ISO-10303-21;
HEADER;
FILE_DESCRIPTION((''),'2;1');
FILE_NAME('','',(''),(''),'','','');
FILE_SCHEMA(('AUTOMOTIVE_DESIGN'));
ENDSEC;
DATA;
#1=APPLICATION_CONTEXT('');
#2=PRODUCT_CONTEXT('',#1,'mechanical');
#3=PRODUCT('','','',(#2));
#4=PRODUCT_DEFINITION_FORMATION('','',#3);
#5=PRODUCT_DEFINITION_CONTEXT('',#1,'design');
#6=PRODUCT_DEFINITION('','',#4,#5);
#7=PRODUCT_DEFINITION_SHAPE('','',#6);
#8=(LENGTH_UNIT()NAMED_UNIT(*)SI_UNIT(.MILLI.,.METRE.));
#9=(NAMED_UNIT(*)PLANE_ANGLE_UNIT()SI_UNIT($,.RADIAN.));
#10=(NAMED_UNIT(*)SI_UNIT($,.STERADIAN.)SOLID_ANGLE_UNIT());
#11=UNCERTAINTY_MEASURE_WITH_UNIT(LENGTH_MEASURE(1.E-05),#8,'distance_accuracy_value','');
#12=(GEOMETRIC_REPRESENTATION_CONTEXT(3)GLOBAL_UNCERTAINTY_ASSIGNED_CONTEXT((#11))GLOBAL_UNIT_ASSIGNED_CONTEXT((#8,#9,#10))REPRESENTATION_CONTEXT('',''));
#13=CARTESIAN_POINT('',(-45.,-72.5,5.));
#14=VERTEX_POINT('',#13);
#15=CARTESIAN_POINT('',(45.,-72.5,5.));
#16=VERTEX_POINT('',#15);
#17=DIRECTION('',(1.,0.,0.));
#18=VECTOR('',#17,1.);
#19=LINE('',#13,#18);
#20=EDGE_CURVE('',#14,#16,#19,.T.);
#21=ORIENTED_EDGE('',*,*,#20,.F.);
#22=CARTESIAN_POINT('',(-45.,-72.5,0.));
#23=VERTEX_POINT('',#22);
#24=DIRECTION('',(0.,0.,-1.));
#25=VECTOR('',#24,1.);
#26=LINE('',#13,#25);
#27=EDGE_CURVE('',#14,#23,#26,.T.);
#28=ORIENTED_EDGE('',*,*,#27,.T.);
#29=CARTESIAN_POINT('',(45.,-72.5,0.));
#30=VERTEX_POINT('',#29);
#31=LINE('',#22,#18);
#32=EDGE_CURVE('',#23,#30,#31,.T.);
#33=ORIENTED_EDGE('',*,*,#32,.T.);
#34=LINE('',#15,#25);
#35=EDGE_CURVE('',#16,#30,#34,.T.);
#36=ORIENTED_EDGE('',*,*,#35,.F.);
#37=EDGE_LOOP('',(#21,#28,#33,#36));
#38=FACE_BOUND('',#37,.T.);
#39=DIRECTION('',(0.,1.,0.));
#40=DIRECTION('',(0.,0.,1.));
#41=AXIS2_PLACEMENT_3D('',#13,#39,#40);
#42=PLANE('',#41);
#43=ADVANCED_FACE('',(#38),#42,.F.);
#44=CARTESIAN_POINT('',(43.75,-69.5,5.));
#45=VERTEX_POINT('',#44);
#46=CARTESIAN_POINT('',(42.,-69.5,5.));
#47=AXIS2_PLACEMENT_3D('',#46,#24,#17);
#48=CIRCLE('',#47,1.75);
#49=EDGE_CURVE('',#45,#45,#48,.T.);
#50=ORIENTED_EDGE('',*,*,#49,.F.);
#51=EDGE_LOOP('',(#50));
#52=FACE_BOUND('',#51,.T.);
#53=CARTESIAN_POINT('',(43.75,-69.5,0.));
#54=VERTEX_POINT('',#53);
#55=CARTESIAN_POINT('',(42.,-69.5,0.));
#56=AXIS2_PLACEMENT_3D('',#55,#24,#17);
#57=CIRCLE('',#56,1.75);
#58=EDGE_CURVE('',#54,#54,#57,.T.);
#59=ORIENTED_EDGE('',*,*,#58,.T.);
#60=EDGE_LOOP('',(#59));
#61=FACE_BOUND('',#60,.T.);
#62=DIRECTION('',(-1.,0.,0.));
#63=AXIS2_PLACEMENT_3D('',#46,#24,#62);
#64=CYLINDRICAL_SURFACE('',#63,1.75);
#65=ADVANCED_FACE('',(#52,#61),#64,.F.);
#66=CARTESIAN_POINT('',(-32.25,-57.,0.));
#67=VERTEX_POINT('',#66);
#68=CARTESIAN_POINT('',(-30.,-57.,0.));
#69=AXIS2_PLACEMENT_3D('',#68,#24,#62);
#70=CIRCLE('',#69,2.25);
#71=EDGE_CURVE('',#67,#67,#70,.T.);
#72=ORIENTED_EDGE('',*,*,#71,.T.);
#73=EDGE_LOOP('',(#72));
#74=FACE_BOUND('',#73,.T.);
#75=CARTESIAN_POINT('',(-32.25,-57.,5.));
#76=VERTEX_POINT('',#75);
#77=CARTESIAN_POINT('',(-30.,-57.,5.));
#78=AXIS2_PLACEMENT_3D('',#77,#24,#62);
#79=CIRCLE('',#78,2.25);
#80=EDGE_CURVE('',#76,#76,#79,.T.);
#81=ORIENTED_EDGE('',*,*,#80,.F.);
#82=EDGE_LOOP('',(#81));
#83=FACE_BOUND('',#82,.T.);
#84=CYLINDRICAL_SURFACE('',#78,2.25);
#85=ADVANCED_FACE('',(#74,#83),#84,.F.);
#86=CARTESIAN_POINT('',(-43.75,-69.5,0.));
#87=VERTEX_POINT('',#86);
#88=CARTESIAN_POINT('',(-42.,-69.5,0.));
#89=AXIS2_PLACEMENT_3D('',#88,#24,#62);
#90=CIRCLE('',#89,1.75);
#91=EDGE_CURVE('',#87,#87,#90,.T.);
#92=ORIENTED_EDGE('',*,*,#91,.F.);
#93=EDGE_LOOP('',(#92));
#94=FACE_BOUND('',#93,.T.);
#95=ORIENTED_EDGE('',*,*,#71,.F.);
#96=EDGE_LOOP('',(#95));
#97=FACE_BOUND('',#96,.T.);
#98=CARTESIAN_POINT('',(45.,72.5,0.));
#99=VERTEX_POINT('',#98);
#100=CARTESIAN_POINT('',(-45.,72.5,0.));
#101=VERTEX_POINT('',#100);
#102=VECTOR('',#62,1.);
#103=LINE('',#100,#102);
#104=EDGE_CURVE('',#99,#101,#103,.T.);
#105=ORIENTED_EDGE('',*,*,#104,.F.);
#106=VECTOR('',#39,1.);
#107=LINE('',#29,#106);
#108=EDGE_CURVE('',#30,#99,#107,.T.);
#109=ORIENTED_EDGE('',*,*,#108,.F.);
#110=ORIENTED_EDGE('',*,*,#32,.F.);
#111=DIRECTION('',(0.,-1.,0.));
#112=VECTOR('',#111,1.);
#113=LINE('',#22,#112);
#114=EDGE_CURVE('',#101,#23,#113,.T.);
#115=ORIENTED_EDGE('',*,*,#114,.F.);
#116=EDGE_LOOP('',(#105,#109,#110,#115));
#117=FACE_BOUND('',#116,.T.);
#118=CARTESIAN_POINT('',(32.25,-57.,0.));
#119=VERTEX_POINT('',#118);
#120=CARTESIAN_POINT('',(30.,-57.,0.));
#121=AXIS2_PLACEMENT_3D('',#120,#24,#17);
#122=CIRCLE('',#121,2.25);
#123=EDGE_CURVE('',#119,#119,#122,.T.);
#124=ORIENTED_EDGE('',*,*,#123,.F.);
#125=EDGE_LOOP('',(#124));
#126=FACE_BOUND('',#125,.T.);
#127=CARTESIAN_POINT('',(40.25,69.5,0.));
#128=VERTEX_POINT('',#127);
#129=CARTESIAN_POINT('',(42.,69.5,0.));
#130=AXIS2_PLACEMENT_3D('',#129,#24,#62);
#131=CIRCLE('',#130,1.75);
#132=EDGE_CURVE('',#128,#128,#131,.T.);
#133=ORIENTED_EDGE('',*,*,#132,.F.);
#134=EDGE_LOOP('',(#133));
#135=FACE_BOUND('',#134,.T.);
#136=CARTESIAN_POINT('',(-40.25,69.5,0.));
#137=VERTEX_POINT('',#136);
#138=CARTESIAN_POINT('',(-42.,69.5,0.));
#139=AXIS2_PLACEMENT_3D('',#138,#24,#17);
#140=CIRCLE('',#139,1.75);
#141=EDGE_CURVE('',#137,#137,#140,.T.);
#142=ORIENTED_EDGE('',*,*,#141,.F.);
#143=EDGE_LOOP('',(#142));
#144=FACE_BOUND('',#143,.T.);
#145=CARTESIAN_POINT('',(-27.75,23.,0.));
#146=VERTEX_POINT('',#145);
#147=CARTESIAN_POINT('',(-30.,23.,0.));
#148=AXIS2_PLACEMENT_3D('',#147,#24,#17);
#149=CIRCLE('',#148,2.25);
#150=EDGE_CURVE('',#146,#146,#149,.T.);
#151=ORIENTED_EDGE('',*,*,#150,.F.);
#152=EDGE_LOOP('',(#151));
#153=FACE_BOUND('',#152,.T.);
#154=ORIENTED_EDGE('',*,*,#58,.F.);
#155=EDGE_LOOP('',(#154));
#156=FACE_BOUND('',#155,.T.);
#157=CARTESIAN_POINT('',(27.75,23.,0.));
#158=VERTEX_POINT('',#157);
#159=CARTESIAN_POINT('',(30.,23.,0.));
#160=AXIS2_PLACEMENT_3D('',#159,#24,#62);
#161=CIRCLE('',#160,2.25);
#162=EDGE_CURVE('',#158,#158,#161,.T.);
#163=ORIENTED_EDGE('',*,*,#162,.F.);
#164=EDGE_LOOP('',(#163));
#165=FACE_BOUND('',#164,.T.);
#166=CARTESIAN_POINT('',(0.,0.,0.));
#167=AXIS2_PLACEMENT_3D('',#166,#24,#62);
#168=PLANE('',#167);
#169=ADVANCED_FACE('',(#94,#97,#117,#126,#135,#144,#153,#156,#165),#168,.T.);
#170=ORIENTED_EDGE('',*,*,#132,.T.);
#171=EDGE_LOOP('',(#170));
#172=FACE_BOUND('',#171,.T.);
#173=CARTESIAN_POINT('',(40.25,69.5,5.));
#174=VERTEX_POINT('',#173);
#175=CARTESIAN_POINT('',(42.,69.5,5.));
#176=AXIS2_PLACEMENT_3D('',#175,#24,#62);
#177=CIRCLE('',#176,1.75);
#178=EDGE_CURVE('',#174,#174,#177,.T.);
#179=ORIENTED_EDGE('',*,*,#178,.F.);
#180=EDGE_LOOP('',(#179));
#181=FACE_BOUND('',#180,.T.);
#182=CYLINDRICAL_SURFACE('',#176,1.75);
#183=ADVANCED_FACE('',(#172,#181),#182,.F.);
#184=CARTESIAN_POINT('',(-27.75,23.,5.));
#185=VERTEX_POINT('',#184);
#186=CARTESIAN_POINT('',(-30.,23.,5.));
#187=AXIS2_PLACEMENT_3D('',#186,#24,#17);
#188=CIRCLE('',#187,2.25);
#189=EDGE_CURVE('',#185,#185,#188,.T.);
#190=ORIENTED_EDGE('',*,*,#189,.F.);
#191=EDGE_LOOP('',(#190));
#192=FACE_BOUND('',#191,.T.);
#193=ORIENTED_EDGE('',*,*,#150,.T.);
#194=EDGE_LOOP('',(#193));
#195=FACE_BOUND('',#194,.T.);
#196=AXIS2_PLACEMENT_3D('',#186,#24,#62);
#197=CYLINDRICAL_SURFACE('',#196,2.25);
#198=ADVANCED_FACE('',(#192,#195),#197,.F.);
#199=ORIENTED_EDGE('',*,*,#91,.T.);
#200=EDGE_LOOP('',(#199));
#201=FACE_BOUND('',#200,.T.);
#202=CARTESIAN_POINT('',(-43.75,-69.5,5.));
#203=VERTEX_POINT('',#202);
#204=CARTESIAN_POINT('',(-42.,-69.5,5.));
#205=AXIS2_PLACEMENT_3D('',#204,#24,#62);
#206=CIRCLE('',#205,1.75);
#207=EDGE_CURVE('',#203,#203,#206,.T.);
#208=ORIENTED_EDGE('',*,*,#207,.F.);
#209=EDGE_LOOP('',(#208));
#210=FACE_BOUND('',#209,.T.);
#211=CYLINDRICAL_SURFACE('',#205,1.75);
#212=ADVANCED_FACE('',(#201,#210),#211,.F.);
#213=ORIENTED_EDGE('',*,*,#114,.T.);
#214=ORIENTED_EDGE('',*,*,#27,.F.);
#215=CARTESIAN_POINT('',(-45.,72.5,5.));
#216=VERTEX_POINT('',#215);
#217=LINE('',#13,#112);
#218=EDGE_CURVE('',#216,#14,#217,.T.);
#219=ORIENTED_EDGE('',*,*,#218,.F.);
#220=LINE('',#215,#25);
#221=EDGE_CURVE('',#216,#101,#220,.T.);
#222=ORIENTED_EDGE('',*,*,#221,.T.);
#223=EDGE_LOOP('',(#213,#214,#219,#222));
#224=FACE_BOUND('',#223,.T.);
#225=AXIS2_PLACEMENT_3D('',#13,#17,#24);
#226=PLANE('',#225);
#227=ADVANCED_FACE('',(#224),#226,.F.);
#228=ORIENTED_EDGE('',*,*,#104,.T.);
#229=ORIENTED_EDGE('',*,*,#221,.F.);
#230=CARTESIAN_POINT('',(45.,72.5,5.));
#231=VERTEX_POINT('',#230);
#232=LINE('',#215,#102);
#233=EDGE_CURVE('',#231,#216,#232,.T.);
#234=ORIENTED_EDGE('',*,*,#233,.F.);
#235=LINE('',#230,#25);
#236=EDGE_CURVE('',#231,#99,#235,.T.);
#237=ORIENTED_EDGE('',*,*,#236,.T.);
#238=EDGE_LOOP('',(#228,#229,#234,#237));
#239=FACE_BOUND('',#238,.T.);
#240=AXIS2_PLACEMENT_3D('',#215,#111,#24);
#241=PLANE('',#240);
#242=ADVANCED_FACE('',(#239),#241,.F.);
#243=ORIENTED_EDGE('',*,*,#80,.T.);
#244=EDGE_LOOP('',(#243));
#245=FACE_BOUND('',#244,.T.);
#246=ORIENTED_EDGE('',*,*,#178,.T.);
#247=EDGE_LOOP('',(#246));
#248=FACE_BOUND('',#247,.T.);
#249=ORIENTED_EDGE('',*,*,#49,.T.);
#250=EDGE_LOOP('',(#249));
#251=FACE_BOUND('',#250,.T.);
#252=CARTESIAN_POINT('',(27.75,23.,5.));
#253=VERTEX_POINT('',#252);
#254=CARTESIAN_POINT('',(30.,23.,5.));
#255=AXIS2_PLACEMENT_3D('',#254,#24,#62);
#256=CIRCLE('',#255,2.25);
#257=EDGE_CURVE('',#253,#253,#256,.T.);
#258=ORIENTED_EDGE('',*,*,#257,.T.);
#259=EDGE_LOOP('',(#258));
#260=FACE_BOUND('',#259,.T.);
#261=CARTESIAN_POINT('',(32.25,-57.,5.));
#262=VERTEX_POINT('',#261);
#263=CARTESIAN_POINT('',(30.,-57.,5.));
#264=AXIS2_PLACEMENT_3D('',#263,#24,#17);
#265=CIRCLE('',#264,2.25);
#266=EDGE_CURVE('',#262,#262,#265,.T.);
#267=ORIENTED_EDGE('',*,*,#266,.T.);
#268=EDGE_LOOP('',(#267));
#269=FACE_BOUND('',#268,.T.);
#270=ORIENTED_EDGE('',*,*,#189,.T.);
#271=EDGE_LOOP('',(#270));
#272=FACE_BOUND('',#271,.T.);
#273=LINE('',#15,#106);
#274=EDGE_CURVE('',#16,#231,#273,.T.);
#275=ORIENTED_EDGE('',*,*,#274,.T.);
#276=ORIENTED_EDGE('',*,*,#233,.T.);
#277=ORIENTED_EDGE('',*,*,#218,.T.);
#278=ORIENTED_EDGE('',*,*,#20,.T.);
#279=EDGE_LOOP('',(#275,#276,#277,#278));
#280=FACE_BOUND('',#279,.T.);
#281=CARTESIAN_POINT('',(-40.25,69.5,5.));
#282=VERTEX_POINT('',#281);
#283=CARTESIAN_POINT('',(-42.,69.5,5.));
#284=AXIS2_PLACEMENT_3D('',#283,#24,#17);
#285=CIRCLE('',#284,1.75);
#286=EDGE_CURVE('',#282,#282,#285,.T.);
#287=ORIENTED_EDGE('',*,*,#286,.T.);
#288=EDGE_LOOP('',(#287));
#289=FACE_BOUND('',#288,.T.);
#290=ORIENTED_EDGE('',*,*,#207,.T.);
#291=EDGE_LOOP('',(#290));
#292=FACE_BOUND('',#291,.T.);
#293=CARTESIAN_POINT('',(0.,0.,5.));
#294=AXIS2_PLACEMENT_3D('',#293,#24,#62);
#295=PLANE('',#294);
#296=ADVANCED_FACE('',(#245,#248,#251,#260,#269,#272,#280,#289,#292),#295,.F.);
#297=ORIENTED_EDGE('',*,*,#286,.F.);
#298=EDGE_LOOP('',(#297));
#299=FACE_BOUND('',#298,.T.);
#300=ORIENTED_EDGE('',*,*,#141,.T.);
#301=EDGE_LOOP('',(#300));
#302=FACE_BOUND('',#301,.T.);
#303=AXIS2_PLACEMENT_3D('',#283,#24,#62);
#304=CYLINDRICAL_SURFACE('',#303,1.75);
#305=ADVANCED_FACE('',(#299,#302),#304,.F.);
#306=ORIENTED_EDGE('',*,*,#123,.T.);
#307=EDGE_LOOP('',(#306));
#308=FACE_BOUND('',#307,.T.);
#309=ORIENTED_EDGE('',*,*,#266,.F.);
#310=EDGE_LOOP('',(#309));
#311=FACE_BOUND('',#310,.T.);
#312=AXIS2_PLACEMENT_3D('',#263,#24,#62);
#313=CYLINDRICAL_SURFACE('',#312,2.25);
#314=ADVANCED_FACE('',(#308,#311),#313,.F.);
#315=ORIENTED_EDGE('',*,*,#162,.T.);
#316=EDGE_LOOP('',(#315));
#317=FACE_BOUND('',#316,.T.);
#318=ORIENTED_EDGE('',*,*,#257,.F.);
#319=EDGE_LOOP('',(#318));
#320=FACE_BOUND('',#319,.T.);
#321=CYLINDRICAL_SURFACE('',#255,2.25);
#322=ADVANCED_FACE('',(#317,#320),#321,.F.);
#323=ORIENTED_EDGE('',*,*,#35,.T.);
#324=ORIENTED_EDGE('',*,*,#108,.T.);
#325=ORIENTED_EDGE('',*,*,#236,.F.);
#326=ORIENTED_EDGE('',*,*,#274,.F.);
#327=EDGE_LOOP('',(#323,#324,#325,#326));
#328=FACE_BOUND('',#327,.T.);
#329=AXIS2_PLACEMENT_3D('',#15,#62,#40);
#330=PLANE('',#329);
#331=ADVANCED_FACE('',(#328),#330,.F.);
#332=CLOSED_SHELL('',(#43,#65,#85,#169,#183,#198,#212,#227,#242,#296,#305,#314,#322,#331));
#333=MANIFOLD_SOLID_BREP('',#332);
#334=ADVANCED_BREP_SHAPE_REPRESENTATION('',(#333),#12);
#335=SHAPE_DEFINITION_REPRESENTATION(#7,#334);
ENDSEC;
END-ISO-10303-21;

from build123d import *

# Parameters (mm, degrees)
SKETCH1_W           = 90
SKETCH1_H           = 145
BOSS_EXTRUDE1_DEPTH = 5
SKETCH2_R           = 1.75
CUT_EXTRUDE1_DEPTH  = 86.476604986
SKETCH3_R           = 2.25
CUT_EXTRUDE2_DEPTH  = 86.476604986


with BuildPart() as part:
    # Sketch1 → Boss-Extrude1 (new body)
    with BuildSketch(Plane.XY):
        Rectangle(SKETCH1_W, SKETCH1_H)
    extrude(amount=BOSS_EXTRUDE1_DEPTH)

    # Sketch2 → Cut-Extrude1 (cut, through all)
    with BuildSketch(Plane(origin=(0, 0, 0), x_dir=(-1, 0, 0), z_dir=(0, 0, -1))):
        with Locations((-42, 69.5)):
            Circle(SKETCH2_R)
        with Locations(Location((-42, -69.5, 0), (0, 0, 180))):
            Circle(SKETCH2_R)
        with Locations(Location((42, 69.5, 0), (0, 0, 180))):
            Circle(SKETCH2_R)
        with Locations((42, -69.5)):
            Circle(SKETCH2_R)
    extrude(amount=-CUT_EXTRUDE1_DEPTH, mode=Mode.SUBTRACT)

    # Sketch3 → Cut-Extrude2 (cut, through all)
    with BuildSketch(Plane(origin=(0, 0, 0), x_dir=(-1, 0, 0), z_dir=(0, 0, -1))):
        with Locations((-30, 23)):
            Circle(SKETCH3_R)
        with Locations(Location((30, 23, 0), (0, 0, 180))):
            Circle(SKETCH3_R)
        with Locations((30, -57)):
            Circle(SKETCH3_R)
        with Locations(Location((-30, -57, 0), (0, 0, 180))):
            Circle(SKETCH3_R)
    extrude(amount=-CUT_EXTRUDE2_DEPTH, mode=Mode.SUBTRACT)


solid = part.part
